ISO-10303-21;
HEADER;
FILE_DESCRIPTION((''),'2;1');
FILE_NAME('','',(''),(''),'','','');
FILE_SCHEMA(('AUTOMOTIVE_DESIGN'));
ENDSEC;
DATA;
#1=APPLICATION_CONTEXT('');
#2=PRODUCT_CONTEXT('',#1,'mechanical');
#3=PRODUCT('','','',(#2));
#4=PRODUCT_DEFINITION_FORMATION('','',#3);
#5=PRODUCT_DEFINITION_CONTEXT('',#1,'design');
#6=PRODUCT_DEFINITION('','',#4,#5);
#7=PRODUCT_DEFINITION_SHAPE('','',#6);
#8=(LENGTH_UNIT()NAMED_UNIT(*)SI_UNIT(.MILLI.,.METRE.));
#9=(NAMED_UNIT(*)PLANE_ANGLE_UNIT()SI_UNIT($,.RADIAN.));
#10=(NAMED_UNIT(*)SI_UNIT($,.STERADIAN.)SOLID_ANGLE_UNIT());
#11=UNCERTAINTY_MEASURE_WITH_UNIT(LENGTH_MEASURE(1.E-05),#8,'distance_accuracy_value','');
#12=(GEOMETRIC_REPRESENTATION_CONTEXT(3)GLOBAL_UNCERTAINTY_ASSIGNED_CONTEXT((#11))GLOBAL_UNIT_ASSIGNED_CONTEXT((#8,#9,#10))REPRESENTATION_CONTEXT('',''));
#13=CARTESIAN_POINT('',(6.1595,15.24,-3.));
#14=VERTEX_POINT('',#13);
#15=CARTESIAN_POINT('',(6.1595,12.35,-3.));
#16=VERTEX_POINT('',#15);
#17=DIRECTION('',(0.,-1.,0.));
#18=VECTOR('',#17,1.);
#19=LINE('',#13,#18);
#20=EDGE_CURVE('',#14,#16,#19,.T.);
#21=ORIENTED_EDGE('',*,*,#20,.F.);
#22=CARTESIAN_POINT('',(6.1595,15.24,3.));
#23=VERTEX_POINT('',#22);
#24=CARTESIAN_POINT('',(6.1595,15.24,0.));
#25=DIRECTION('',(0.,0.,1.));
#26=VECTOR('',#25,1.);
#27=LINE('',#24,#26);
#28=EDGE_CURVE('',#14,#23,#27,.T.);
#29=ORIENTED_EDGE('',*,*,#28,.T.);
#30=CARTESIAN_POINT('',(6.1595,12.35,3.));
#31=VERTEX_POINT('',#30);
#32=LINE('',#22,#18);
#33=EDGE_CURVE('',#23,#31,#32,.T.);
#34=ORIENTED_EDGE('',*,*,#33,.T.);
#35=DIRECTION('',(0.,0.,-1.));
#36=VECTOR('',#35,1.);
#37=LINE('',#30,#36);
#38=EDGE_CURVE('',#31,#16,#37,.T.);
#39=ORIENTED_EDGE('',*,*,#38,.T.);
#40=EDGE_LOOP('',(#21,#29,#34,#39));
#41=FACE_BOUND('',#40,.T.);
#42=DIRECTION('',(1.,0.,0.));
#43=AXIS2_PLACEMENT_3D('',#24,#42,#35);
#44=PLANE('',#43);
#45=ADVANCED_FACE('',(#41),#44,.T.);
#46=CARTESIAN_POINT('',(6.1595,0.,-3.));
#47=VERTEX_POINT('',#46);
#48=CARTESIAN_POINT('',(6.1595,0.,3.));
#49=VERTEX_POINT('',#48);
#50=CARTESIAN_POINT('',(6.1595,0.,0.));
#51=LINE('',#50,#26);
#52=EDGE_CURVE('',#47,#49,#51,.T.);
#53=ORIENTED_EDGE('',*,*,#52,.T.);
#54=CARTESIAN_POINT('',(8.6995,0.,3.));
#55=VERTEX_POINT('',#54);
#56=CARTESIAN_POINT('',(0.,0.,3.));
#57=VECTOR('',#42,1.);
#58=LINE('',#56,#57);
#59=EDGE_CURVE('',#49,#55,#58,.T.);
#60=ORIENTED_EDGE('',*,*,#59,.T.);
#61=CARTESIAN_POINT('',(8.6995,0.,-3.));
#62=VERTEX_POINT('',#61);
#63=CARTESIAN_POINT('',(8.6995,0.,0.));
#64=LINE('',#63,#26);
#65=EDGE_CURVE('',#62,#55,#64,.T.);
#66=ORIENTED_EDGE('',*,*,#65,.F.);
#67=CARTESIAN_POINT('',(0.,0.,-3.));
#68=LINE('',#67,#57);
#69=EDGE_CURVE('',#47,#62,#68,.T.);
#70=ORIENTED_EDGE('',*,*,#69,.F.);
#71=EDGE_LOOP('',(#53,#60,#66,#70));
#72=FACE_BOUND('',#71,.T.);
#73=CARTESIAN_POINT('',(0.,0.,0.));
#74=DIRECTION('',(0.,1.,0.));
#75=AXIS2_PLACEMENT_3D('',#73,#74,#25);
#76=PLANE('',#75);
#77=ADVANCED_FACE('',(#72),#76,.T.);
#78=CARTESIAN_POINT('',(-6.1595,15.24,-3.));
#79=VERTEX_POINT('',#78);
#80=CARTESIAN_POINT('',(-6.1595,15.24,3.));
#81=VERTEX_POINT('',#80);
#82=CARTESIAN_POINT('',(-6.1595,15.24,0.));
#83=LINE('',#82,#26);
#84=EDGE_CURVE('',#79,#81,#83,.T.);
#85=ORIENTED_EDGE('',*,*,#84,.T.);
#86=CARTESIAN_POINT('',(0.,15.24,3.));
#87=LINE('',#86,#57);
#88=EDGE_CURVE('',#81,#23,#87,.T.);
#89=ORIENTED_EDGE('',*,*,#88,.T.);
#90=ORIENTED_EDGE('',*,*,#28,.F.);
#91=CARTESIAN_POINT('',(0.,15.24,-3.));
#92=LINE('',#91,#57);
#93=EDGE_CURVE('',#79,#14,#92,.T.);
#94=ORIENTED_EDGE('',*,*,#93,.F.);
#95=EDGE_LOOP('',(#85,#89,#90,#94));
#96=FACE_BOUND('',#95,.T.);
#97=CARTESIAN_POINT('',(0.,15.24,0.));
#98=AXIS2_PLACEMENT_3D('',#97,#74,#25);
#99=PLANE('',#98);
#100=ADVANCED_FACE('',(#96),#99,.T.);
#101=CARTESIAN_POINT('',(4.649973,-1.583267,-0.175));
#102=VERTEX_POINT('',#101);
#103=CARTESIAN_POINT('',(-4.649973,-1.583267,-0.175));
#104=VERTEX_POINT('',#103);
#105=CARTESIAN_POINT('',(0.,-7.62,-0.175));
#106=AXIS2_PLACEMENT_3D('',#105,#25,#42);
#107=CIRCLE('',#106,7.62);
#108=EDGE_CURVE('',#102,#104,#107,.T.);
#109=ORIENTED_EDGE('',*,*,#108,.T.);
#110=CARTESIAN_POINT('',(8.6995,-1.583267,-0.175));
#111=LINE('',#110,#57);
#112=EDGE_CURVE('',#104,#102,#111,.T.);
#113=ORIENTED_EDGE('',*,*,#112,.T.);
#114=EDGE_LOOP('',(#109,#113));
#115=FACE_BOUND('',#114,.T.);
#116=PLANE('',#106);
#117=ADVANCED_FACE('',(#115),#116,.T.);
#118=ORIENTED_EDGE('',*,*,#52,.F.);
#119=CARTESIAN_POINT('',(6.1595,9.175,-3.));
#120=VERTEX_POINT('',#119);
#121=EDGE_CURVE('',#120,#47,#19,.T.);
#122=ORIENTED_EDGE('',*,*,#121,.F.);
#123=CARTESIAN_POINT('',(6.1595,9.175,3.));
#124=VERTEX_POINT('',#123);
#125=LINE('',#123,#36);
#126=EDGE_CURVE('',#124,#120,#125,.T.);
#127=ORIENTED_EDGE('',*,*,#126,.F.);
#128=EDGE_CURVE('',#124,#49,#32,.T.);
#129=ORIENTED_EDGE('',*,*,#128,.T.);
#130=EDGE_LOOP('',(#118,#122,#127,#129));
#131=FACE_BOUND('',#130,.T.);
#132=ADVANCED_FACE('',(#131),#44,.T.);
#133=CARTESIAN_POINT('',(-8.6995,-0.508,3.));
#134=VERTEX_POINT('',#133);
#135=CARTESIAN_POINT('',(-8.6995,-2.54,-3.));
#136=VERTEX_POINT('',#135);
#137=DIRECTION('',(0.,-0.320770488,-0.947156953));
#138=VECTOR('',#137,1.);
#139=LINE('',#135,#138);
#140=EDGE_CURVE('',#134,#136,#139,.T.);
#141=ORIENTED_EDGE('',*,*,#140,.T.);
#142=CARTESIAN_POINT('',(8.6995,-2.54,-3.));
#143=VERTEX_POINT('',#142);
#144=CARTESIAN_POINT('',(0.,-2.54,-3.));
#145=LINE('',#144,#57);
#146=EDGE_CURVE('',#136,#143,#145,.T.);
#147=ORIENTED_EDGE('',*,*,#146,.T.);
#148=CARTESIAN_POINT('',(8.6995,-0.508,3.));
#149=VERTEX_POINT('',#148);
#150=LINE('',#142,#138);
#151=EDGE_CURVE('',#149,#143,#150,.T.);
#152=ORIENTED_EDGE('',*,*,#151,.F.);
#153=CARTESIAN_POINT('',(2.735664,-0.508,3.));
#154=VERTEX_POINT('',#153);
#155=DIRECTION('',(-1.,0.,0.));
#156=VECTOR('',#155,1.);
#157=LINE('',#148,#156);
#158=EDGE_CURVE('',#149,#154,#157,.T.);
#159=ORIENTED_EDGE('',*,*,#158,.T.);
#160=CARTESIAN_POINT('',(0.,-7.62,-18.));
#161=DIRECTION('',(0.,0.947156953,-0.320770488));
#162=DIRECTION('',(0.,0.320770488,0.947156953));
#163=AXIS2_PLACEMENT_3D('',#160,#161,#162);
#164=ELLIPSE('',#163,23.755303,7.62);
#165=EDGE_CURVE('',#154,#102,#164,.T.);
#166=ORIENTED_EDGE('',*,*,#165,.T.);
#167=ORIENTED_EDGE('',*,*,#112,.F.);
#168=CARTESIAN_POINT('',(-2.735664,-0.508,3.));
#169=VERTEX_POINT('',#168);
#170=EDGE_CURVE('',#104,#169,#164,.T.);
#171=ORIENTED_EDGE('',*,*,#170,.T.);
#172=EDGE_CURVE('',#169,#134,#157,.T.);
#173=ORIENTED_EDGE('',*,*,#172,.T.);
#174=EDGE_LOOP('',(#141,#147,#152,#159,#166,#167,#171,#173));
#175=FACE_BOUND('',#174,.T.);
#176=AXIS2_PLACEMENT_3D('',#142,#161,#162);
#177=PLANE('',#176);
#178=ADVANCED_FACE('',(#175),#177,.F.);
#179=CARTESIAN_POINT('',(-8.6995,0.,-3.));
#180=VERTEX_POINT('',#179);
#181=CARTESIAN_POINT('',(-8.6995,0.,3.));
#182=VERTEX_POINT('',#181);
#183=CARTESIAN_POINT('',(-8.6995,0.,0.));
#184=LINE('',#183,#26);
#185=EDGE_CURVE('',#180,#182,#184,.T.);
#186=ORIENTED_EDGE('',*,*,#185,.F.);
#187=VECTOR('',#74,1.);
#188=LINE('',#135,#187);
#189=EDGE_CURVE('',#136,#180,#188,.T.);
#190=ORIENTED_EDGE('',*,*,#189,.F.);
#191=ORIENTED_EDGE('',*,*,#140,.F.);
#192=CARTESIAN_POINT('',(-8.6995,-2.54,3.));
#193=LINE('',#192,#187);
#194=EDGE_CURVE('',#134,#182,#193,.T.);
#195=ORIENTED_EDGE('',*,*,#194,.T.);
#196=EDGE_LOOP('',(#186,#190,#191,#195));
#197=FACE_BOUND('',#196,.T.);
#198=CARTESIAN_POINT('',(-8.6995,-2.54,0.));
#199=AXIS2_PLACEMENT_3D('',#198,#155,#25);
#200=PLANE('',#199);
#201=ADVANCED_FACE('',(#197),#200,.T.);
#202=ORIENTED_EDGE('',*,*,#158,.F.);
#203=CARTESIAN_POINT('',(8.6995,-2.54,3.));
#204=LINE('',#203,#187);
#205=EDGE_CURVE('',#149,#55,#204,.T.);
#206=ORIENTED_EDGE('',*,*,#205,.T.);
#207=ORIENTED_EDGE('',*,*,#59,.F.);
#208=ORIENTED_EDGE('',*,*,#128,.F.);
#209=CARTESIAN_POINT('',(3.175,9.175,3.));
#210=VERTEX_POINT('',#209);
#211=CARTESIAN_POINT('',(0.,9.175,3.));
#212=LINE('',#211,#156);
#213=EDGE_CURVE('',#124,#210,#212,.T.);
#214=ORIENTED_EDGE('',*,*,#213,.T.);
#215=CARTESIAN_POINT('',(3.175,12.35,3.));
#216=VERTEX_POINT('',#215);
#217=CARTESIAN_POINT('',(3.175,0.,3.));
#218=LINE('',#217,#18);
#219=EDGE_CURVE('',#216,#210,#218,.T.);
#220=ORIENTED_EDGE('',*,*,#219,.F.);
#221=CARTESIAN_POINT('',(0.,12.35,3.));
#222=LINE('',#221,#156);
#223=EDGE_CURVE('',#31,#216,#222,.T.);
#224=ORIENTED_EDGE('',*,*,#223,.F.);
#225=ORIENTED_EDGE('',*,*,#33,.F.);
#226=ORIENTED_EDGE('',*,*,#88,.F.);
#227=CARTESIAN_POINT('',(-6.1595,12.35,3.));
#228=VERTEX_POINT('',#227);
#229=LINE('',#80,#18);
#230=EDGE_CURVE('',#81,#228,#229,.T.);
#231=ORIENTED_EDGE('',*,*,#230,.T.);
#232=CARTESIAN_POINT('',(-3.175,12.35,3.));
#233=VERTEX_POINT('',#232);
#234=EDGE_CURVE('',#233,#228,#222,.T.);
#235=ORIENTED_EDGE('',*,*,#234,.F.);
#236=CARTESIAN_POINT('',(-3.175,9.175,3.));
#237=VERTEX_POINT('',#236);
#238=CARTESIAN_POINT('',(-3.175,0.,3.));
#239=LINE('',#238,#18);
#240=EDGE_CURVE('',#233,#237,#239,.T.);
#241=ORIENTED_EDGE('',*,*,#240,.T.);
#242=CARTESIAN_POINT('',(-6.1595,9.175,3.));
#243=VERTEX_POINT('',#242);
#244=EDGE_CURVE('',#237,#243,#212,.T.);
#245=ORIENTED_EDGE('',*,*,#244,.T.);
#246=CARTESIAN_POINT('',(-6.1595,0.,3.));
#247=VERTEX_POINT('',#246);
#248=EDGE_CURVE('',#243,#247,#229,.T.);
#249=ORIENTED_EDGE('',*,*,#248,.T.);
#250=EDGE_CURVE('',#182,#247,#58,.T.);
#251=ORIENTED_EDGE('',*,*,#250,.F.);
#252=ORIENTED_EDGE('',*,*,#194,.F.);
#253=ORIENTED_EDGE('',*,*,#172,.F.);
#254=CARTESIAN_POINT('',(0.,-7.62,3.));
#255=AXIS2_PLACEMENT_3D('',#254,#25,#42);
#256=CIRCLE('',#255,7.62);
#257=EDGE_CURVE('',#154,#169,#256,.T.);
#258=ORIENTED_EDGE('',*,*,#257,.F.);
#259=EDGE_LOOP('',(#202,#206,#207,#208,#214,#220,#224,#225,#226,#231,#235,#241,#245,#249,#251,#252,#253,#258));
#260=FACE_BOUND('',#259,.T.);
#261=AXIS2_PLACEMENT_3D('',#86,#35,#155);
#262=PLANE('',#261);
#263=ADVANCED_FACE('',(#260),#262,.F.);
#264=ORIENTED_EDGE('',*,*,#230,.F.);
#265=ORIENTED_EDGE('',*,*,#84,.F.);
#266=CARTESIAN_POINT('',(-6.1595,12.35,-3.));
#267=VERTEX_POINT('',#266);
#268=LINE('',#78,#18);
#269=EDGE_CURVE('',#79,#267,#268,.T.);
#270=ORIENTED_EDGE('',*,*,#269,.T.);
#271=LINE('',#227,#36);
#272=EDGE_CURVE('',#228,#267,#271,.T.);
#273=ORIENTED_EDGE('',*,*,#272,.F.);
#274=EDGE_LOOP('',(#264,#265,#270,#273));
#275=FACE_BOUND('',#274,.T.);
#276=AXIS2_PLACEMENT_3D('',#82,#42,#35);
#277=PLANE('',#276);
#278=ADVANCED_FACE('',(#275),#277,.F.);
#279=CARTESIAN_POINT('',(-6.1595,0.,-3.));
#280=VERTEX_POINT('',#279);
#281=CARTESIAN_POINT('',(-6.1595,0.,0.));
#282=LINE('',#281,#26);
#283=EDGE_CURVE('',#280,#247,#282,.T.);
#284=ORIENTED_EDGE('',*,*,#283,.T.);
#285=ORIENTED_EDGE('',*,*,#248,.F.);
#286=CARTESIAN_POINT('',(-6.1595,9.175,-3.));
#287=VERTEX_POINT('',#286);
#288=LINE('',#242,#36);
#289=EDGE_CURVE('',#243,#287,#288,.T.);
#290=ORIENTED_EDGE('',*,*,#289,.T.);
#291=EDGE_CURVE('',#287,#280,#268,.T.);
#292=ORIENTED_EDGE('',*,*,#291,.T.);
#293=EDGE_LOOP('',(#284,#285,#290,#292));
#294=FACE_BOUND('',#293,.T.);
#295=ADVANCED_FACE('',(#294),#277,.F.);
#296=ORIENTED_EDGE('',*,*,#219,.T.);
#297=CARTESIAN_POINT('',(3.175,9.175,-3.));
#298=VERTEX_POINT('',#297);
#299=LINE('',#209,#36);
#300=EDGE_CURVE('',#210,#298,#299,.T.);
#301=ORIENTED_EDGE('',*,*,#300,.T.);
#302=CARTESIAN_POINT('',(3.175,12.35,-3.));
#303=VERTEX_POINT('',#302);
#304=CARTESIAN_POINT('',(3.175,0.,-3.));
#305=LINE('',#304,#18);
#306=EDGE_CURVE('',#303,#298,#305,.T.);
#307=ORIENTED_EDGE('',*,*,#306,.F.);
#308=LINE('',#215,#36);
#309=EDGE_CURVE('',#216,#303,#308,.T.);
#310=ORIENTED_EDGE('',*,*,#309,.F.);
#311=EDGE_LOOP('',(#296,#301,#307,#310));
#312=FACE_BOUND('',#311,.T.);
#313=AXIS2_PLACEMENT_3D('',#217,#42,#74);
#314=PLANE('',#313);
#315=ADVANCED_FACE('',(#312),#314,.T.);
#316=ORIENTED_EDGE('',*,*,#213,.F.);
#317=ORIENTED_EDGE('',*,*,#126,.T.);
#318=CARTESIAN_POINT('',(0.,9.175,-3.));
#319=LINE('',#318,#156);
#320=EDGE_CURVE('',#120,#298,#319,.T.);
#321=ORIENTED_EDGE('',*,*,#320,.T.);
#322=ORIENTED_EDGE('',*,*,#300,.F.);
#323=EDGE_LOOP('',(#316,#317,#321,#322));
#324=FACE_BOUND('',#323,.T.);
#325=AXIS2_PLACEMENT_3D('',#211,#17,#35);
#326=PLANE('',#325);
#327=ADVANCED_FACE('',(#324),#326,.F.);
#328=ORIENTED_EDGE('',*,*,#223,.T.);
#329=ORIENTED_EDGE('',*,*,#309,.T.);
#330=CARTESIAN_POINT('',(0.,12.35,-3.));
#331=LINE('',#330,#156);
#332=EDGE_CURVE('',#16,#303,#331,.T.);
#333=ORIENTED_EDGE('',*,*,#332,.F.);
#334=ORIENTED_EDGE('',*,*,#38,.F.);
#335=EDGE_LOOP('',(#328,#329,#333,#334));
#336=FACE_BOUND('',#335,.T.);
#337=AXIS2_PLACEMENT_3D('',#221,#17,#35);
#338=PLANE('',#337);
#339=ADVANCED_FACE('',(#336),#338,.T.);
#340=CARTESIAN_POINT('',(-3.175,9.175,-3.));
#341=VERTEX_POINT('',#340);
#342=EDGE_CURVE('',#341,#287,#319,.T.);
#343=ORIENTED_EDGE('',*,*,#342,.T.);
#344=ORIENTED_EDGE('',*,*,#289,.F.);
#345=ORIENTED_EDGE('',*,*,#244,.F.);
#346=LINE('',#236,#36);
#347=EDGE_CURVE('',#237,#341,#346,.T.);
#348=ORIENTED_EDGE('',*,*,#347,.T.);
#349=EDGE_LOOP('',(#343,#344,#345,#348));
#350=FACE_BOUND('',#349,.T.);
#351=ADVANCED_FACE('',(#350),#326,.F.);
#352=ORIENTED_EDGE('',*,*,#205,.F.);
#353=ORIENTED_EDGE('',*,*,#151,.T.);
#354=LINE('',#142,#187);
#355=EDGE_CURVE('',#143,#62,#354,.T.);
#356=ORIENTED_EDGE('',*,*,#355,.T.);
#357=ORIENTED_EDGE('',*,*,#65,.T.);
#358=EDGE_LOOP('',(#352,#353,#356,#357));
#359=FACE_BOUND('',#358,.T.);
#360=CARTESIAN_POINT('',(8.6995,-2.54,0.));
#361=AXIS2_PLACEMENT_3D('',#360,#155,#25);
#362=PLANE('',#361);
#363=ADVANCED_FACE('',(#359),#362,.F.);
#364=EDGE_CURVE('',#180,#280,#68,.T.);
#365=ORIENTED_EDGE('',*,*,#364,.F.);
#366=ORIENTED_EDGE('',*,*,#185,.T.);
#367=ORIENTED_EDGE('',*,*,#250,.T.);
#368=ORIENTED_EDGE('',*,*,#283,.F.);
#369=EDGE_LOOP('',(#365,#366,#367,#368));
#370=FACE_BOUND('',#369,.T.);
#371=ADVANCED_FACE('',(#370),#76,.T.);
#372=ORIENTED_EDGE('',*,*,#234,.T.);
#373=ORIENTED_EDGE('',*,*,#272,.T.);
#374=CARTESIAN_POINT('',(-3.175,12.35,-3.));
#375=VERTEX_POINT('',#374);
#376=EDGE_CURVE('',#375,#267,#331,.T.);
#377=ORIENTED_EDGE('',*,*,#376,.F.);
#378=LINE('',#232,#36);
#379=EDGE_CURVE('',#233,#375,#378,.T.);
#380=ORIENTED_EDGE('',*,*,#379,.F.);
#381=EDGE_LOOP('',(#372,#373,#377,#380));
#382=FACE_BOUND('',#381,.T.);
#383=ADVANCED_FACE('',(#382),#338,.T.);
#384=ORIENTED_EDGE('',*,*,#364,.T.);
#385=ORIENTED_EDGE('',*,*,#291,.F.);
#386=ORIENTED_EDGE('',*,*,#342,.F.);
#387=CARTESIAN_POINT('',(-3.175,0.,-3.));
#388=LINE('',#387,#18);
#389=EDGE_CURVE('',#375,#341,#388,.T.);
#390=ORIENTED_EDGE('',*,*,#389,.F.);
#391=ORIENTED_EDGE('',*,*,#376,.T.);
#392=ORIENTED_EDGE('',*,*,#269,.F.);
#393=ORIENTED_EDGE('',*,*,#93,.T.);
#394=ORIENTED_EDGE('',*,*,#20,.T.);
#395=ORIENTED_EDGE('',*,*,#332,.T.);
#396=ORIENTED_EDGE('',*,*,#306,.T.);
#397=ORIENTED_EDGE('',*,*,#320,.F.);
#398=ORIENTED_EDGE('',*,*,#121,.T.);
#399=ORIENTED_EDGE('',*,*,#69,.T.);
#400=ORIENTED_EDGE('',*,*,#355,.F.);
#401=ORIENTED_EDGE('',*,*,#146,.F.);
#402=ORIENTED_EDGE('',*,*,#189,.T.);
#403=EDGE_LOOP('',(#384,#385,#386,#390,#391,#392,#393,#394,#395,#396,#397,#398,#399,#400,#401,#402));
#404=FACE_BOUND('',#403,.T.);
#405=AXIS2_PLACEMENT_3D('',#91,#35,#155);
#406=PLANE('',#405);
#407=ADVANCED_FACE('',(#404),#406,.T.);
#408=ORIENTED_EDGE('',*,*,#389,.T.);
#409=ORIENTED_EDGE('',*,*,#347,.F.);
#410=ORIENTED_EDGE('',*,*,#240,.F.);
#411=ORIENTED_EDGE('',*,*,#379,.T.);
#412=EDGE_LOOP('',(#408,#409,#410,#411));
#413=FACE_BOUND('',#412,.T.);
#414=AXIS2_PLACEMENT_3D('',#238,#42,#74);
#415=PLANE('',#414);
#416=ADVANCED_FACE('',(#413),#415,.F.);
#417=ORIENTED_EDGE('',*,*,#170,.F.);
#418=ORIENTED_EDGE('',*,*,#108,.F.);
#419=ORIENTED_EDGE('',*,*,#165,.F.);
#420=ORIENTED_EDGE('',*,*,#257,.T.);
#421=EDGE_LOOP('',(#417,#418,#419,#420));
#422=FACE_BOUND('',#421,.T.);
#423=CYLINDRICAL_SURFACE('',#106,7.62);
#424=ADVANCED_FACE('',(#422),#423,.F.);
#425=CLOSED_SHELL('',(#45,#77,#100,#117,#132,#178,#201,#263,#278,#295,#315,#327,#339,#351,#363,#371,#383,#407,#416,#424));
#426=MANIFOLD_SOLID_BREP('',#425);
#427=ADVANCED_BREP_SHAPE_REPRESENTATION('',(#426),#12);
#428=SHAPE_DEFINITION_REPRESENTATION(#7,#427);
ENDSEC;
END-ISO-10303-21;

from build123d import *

# Parameters (mm, degrees)
SKETCH1_W           = 12.319
SKETCH1_H           = 6
BOSS_EXTRUDE1_DEPTH = 15.24
SKETCH1_3_W         = 17.399
SKETCH1_3_H         = 6
BOSS_EXTRUDE2_DEPTH = 2.54
SKETCH2_W           = 2.9845
SKETCH2_H           = 3.175
CUT_EXTRUDE1_DEPTH  = 19.545589779
CUT_EXTRUDE2_DEPTH  = 24.323438876
SKETCH4_R           = 7.62
CUT_EXTRUDE3_DEPTH  = 3.175


with BuildPart() as part:
    # Sketch1 → Boss-Extrude1 (new body)
    with BuildSketch(Plane(origin=(0, 0, 0), x_dir=(1, 0, 0), z_dir=(0, 1, 0))):
        Rectangle(SKETCH1_W, SKETCH1_H)
    extrude(amount=BOSS_EXTRUDE1_DEPTH)

    # Sketch1<3> → Boss-Extrude2 (add)
    with BuildSketch(Plane(origin=(0, 0, 0), x_dir=(1, 0, 0), z_dir=(0, 1, 0))):
        Rectangle(SKETCH1_3_W, SKETCH1_3_H)
    extrude(amount=-BOSS_EXTRUDE2_DEPTH)

    # Sketch2 → Cut-Extrude1 (cut, through all)
    with BuildSketch(Plane(origin=(0, 0, -3), x_dir=(-1, 0, 0), z_dir=(0, 0, -1))):
        with Locations((-4.66725, 10.7625)):
            Rectangle(SKETCH2_W, SKETCH2_H)
        with Locations((4.66725, 10.7625)):
            Rectangle(SKETCH2_W, SKETCH2_H)
    extrude(amount=-CUT_EXTRUDE1_DEPTH, mode=Mode.SUBTRACT)

    # Sketch3 → Cut-Extrude2 (cut, through all)
    with BuildSketch(Plane.ZY.offset(8.6995)):
        Polygon((-3, -2.54), (3, -0.508), (3, -2.54), align=None)
    extrude(amount=-CUT_EXTRUDE2_DEPTH, mode=Mode.SUBTRACT)

    # Sketch4 → Cut-Extrude3 (cut)
    with BuildSketch(Plane.XY.offset(3)):
        with Locations((0, -7.62)):
            Circle(SKETCH4_R)
    extrude(amount=-CUT_EXTRUDE3_DEPTH, mode=Mode.SUBTRACT)


solid = part.part
